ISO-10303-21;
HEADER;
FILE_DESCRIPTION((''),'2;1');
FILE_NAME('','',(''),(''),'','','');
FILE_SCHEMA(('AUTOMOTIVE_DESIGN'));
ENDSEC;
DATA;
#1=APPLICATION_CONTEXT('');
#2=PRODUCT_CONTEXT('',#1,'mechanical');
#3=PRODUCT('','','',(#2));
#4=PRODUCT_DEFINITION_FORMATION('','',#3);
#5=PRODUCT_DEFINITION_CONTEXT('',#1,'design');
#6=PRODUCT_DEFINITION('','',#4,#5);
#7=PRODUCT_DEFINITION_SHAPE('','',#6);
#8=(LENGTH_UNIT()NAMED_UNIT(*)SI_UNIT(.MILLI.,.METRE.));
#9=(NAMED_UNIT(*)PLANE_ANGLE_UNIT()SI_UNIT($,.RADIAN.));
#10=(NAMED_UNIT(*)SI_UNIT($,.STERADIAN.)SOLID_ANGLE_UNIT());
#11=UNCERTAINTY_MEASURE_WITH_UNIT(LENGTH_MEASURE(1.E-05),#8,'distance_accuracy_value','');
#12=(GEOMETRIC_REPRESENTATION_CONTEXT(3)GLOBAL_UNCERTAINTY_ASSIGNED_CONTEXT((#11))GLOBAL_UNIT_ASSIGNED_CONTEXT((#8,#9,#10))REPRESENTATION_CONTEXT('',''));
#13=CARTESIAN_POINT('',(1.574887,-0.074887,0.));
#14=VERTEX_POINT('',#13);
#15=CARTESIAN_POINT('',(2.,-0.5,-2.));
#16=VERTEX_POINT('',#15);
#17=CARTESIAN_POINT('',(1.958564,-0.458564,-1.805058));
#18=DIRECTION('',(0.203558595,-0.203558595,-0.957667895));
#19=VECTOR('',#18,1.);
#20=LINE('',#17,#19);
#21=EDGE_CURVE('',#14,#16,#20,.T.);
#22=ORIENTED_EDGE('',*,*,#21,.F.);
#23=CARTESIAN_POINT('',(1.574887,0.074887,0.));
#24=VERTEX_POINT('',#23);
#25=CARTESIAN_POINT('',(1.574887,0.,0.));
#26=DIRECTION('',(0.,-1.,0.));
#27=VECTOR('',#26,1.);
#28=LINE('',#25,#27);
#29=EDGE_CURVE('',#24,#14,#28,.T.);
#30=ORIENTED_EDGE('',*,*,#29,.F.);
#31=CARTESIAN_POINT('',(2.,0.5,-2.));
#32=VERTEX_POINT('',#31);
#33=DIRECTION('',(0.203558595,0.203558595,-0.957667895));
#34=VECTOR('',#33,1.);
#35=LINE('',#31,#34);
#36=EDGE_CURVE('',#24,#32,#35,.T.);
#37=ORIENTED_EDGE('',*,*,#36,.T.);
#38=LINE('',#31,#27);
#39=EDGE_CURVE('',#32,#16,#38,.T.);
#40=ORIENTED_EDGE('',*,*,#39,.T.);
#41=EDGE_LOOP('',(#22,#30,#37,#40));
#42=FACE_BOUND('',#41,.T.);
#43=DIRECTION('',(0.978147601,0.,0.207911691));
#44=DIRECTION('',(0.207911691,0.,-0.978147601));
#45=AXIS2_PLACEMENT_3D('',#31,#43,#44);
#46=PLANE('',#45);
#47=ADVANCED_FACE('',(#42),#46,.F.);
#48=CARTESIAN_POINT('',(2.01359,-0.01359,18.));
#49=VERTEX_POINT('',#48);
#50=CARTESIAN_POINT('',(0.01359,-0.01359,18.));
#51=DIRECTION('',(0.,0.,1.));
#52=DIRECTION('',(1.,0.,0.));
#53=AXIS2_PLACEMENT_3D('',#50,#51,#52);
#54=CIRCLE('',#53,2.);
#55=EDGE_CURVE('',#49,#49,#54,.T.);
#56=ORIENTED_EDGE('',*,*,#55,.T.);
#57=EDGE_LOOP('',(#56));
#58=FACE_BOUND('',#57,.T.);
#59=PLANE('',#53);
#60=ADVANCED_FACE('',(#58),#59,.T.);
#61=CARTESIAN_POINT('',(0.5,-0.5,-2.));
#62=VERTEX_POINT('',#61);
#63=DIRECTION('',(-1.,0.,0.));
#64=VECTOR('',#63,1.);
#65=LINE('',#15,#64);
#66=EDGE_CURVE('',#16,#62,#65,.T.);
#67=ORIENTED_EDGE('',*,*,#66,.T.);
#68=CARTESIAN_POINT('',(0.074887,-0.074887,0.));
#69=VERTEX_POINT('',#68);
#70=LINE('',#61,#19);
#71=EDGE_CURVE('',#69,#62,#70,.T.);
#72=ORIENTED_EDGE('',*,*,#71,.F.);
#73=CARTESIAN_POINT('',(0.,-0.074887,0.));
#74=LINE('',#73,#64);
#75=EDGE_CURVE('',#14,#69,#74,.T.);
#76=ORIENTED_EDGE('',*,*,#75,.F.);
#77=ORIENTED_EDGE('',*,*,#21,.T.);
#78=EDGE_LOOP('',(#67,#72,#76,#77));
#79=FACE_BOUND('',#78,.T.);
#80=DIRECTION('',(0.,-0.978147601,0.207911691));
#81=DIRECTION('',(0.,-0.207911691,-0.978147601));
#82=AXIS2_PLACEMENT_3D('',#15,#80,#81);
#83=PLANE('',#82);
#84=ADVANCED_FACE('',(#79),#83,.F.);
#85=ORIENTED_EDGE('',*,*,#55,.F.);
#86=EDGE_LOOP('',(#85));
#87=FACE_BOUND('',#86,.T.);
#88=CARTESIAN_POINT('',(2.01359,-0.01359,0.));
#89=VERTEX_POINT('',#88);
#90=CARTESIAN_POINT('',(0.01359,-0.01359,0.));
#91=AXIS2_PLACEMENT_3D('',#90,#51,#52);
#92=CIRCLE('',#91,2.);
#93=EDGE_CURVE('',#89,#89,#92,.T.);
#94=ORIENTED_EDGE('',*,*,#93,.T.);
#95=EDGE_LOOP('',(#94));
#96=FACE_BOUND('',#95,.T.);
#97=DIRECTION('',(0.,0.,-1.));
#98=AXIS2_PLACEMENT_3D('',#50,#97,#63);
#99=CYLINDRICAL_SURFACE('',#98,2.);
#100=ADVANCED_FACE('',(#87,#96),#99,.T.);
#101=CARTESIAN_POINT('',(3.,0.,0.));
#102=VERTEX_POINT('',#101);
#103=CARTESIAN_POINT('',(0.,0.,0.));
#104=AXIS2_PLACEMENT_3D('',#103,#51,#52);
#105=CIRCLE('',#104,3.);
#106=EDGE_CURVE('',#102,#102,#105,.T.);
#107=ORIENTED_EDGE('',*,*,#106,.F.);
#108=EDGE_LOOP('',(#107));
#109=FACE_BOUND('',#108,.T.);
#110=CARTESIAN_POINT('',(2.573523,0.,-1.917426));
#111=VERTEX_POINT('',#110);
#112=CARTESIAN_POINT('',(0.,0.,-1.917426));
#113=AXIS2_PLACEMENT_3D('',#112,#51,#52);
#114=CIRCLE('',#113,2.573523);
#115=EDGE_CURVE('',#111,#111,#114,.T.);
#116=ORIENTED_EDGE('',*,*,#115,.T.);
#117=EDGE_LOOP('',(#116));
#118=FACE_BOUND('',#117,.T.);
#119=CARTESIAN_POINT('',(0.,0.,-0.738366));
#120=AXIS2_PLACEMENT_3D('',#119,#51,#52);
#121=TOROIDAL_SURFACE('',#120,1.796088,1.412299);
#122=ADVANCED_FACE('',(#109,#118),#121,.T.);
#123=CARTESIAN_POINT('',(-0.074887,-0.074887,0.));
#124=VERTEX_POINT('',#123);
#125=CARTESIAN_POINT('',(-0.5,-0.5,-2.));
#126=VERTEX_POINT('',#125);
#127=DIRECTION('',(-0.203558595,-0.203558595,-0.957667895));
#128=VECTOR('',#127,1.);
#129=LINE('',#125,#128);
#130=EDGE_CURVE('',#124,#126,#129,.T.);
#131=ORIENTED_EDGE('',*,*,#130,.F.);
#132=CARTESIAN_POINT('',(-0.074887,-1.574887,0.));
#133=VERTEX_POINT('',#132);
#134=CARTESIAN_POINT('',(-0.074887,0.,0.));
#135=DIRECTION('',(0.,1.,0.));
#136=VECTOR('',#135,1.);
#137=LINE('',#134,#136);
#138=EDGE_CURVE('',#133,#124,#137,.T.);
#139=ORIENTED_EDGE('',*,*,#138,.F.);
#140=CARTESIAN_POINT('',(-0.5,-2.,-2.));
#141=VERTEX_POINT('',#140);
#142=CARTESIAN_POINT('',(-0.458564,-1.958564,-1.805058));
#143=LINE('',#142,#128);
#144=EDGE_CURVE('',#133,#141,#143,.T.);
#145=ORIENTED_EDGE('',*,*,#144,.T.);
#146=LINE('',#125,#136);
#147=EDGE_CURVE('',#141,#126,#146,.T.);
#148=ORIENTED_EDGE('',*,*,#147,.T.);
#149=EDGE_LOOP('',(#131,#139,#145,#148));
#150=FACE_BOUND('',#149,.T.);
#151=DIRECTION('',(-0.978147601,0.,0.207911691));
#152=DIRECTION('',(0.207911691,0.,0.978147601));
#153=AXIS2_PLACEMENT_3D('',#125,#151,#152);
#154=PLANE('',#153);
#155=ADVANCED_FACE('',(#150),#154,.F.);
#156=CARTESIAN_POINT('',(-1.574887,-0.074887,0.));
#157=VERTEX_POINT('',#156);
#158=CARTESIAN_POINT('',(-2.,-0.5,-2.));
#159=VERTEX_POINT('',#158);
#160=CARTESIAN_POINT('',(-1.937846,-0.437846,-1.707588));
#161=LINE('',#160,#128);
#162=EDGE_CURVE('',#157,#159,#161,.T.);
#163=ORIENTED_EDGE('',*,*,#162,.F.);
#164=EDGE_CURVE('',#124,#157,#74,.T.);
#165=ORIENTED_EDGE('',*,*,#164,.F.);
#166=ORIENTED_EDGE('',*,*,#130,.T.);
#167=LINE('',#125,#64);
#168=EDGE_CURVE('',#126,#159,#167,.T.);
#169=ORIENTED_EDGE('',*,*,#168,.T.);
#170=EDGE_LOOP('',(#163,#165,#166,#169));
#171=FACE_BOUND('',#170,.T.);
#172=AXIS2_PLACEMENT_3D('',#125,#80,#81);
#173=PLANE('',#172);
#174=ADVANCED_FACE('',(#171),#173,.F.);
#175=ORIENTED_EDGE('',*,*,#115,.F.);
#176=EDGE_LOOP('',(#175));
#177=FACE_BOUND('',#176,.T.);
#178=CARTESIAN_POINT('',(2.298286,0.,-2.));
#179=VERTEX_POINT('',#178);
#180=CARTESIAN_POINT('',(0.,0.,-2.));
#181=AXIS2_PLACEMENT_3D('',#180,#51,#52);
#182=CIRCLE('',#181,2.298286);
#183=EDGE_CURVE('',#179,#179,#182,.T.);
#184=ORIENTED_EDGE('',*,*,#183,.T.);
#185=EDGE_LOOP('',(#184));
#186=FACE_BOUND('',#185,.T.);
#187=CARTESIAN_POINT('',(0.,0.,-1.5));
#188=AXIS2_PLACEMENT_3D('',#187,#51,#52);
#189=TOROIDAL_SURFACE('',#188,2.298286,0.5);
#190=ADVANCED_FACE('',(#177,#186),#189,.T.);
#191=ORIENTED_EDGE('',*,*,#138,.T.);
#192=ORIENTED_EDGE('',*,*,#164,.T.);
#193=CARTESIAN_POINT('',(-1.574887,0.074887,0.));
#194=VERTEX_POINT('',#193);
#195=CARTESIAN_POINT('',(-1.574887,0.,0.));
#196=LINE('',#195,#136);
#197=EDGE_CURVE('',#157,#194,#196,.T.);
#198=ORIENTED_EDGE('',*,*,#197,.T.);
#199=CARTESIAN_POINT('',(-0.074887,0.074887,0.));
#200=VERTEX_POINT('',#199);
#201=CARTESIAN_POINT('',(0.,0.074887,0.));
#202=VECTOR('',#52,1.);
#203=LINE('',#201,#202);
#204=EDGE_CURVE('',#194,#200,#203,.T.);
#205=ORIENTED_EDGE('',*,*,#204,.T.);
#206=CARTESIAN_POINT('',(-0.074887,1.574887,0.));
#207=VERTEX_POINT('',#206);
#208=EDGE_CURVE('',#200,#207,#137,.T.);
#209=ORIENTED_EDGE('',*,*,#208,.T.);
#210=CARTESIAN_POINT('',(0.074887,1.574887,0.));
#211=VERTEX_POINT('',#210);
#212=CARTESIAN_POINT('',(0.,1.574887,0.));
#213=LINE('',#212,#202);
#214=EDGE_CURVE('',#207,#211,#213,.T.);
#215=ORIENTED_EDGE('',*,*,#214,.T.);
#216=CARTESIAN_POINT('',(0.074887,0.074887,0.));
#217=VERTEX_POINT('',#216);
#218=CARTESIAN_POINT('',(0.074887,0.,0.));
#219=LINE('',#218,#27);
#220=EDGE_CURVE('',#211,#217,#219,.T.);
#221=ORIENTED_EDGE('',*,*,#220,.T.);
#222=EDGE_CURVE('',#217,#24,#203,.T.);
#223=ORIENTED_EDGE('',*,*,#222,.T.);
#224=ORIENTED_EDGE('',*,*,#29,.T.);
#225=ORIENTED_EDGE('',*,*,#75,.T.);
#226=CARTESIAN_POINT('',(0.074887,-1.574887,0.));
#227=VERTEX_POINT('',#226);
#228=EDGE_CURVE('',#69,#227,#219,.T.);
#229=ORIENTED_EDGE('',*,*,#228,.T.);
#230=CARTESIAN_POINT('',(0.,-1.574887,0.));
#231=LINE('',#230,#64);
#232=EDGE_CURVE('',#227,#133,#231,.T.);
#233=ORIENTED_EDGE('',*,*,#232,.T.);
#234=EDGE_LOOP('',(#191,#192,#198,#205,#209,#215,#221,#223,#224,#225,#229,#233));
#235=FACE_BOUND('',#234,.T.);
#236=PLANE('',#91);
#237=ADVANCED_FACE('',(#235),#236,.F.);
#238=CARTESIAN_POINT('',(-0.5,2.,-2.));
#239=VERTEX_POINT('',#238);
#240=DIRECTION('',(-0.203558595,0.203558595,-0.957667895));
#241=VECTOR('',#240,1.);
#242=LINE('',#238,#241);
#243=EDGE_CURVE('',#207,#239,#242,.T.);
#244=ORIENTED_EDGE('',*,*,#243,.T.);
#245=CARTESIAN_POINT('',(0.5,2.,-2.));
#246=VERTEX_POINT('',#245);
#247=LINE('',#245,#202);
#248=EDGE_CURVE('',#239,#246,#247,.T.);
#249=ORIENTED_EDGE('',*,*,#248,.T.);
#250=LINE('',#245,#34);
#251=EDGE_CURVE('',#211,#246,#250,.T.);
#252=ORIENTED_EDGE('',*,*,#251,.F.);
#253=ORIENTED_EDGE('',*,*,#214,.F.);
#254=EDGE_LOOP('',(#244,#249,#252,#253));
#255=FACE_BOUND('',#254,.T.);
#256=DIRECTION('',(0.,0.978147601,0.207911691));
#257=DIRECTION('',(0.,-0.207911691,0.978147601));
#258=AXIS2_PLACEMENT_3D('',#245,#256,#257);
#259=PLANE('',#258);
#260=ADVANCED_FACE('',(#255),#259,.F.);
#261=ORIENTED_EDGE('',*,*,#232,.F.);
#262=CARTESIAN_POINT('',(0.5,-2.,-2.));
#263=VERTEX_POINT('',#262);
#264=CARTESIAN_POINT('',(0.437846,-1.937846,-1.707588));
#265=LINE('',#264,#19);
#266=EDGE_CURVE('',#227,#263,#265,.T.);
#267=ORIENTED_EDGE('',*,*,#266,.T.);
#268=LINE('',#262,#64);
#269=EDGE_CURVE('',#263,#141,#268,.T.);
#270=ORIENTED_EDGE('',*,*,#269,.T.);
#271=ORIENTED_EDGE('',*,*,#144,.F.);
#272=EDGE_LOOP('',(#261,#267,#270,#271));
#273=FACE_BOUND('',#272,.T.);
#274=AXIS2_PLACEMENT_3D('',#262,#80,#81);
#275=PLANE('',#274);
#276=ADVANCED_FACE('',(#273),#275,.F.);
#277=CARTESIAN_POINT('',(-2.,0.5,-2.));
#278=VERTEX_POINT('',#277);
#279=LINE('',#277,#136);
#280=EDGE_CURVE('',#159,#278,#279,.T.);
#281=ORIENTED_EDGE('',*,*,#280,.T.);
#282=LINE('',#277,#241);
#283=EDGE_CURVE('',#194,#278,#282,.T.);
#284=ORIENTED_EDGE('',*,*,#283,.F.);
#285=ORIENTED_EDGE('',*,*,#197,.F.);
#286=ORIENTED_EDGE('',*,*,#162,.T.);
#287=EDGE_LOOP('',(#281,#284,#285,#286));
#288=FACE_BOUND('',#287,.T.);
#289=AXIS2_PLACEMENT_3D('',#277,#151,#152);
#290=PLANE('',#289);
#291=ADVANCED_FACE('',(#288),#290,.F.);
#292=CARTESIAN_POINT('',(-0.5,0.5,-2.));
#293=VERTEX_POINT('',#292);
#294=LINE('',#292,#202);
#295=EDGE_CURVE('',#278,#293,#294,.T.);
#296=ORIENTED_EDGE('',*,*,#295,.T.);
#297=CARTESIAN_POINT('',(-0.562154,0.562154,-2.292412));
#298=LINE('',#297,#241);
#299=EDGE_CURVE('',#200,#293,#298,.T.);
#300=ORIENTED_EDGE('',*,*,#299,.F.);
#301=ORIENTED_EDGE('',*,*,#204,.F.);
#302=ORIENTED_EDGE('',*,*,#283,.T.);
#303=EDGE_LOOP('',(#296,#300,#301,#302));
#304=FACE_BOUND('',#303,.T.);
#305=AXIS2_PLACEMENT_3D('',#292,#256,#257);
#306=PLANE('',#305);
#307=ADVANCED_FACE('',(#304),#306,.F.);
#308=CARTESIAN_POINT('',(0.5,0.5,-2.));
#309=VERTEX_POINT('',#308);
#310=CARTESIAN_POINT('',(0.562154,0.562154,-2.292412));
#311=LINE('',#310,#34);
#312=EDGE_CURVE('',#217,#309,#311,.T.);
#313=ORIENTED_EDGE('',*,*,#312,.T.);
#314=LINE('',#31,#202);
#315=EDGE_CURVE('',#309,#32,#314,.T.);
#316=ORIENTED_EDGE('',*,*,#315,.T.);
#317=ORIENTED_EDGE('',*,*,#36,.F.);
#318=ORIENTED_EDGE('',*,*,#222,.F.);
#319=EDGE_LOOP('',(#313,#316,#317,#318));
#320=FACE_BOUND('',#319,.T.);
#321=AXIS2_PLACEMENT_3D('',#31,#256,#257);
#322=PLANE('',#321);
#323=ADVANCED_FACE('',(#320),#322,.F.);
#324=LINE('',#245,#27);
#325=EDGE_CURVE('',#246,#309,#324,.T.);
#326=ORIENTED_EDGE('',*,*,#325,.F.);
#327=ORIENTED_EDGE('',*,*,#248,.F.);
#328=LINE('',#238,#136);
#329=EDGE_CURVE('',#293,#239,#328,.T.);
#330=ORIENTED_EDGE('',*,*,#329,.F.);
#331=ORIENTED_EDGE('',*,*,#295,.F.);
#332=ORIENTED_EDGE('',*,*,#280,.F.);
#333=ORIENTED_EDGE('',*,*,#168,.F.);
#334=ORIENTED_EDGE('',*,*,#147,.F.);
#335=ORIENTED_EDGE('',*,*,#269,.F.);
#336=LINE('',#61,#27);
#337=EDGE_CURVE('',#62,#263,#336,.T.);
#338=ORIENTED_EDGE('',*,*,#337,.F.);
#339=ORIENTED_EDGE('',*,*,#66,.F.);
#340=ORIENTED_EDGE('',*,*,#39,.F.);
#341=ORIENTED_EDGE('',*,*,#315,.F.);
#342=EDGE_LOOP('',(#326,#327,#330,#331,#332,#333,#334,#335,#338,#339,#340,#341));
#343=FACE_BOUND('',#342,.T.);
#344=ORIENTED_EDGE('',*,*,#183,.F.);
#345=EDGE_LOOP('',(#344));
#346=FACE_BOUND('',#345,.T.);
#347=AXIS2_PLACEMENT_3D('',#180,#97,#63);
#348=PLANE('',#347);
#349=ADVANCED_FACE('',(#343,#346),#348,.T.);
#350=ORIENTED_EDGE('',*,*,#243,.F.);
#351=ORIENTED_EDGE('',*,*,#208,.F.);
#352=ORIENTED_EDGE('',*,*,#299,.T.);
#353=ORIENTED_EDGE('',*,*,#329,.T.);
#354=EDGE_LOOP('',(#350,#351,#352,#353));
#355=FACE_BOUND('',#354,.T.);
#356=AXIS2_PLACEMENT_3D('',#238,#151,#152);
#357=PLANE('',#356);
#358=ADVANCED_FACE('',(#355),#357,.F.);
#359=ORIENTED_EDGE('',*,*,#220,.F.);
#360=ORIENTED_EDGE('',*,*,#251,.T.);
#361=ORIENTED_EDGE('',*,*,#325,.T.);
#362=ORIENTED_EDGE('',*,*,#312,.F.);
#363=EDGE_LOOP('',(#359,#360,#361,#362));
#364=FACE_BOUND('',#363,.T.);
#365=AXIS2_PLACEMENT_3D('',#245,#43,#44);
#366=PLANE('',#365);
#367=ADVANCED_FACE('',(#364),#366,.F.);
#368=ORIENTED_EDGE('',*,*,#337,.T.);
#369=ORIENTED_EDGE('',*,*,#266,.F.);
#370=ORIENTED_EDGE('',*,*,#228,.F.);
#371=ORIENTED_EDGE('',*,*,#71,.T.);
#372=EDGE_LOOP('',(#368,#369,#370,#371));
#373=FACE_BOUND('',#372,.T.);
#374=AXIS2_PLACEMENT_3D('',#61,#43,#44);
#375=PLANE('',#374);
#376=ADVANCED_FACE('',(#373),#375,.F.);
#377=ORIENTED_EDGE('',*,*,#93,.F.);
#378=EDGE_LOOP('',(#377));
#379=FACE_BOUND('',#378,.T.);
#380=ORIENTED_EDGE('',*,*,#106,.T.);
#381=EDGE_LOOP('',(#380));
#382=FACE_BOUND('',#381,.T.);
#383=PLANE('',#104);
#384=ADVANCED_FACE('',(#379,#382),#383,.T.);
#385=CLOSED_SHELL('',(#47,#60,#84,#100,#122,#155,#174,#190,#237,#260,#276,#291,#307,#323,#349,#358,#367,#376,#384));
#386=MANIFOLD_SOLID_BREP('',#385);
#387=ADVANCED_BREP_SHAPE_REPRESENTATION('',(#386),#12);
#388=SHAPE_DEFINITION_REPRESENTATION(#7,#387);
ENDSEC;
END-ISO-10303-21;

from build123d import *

# Parameters (mm, degrees)
CUT_EXTRUDE1_DEPTH  = 2
CUT_EXTRUDE1_DRAFT  = -12
SKETCH3_R           = 2
BOSS_EXTRUDE1_DEPTH = 18


with BuildPart() as part:
    # Sketch1 → Revolve2 (revolve)
    with BuildSketch(Plane(origin=(0, 0, 0), x_dir=(1, 0, 0), z_dir=(0, 1, 0))):
        with BuildLine():
            Line((0, 0), (0, 2))
            Line((0, 2), (2.298285661, 2))
            ThreePointArc((2.298285661, 2), (2.441964308, 1.978911731), (2.57352322, 1.917425786))
            ThreePointArc((2.57352322, 1.917425786), (3.174697589, 1.044998208), (3, 0))
            Line((3, 0), (0, 0))
        make_face()
    revolve(axis=Axis((0, 0, -0.65925001), (0, 0, -1)))


with BuildPart() as cut_extrude1_tool:
    # Sketch2 → Cut-Extrude1 (with draft: the straight prism first)
    with BuildSketch(Plane(origin=(0, 0, -2), x_dir=(-1, 0, 0), z_dir=(0, 0, -1))):
        Polygon((0.5, -0.5), (2, -0.5), (2, 0.5), (0.5, 0.5), (0.5, 2), (-0.5, 2), (-0.5, 0.5), (-2, 0.5), (-2, -0.5), (-0.5, -0.5), (-0.5, -2), (0.5, -2), align=None)
    extrude(amount=-CUT_EXTRUDE1_DEPTH)
    # Cut-Extrude1: the draft: its side faces are tilted about the plane it starts from
    cut_extrude1_sides = [cut_extrude1_tool.faces().sort_by_distance(p)[0] for p in [
        (-1.25, -0.5, -1),
        (-2, 0, -1),
        (-1.25, 0.5, -1),
        (-0.5, 1.25, -1),
        (0, 2, -1),
        (0.5, 1.25, -1),
        (1.25, 0.5, -1),
        (2, 0, -1),
        (1.25, -0.5, -1),
        (0.5, -1.25, -1),
        (0, -2, -1),
        (-0.5, -1.25, -1),
    ]]
    draft(cut_extrude1_sides, Plane(origin=(0, 0, -2), x_dir=(-1, 0, 0), z_dir=(0, 0, -1)), CUT_EXTRUDE1_DRAFT)


with BuildPart() as part_1:
    add(part.part)

    # Cut-Extrude1: cut by cut_extrude1_tool
    add(cut_extrude1_tool.part, mode=Mode.SUBTRACT)

    # Sketch3 → Boss-Extrude1 (add)
    with BuildSketch(Plane.XY):
        with Locations((0.013589602, -0.013589602)):
            Circle(SKETCH3_R)
    extrude(amount=BOSS_EXTRUDE1_DEPTH)


solid = part_1.part
